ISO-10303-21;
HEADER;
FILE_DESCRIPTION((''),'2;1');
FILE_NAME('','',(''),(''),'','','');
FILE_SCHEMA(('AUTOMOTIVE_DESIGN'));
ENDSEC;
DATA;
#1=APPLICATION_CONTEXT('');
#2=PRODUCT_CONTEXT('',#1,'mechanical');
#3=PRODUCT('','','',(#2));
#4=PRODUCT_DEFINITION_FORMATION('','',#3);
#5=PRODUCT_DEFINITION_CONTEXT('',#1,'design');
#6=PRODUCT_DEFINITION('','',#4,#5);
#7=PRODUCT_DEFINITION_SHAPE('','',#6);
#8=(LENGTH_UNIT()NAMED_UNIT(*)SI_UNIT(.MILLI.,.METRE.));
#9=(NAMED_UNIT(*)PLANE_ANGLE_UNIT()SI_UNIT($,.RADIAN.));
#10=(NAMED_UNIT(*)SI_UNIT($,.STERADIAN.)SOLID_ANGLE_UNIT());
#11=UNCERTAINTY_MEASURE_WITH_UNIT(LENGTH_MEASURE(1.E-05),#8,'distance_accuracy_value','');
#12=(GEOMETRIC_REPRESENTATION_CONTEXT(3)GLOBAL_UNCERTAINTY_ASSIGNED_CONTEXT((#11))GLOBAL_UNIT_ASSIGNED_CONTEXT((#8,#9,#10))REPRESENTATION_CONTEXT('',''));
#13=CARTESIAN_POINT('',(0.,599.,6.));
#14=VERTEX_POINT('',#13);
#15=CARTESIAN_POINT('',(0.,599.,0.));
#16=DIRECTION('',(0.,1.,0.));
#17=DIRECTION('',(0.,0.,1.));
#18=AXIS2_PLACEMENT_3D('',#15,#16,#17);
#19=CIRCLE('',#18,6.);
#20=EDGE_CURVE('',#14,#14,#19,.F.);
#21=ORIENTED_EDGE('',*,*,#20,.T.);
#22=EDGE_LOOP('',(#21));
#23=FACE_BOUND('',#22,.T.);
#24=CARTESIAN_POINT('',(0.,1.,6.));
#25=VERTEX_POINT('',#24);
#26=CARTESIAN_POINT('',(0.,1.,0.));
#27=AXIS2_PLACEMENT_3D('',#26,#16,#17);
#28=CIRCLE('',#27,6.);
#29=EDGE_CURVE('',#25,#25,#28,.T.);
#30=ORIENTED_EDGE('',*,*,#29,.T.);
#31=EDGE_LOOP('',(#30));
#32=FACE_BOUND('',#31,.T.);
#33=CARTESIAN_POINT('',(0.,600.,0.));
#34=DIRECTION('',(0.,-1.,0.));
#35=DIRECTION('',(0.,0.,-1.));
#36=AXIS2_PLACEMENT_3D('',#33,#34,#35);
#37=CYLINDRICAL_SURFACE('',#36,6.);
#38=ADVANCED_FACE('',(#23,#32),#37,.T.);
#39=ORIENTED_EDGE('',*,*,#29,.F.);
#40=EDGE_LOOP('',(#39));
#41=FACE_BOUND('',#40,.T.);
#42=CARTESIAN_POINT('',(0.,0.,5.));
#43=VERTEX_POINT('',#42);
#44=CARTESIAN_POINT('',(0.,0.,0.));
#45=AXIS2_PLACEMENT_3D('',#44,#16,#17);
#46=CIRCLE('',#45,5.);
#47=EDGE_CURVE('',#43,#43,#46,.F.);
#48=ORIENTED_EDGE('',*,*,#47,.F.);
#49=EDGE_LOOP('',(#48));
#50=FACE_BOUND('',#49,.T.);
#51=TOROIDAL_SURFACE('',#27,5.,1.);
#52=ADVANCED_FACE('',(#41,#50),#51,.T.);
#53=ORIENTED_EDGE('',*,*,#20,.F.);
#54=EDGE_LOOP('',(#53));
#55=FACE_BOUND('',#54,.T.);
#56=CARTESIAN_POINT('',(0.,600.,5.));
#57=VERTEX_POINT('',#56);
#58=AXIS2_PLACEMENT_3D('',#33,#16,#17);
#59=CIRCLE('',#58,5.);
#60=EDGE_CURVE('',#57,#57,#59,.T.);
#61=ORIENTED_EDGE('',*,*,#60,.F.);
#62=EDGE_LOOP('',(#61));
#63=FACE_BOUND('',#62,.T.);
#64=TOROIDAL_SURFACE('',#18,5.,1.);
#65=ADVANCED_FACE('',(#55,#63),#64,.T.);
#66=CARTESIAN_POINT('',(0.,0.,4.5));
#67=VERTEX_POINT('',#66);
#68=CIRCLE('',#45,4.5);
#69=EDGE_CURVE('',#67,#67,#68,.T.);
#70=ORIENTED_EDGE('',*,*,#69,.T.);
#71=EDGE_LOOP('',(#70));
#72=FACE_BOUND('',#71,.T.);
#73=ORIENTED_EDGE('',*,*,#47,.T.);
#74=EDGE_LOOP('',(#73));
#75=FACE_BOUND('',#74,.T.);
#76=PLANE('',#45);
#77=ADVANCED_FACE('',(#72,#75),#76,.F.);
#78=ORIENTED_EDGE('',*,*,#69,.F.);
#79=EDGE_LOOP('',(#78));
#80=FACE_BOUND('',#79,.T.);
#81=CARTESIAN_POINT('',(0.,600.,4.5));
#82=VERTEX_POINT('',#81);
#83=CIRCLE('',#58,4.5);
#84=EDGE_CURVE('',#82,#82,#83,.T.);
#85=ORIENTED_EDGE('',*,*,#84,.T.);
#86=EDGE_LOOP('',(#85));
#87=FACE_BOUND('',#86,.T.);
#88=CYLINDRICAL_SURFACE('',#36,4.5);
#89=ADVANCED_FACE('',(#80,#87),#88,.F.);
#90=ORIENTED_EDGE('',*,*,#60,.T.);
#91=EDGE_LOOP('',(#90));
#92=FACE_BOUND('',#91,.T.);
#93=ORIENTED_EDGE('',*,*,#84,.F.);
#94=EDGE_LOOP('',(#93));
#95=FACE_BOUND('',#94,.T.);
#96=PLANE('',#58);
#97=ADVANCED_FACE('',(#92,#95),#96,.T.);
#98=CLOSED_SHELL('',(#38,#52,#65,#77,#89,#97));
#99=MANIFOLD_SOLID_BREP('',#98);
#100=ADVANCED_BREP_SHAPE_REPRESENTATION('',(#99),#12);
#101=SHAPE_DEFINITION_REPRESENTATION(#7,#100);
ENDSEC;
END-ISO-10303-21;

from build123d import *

# Parameters (mm, degrees)
SKETCH1_R           = 6
SKETCH1_R_2         = 4.5
BOSS_EXTRUDE1_DEPTH = 600
FILLET3_R           = 1
FILLET4_R           = 1


with BuildPart() as part:
    # Sketch1 → Boss-Extrude1 (new body)
    with BuildSketch(Plane(origin=(0, 0, 0), x_dir=(1, 0, 0), z_dir=(0, 1, 0))):
        Circle(SKETCH1_R)
        Circle(SKETCH1_R_2, mode=Mode.SUBTRACT)
    extrude(amount=BOSS_EXTRUDE1_DEPTH)

    # Fillet3
    fillet3_edges = [part.edges().sort_by_distance(p)[0] for p in [
        (-6, 0, 0),
    ]]
    fillet(fillet3_edges, radius=FILLET3_R)

    # Fillet4
    fillet4_edges = [part.edges().sort_by_distance(p)[0] for p in [
        (-6, 600, 0),
    ]]
    fillet(fillet4_edges, radius=FILLET4_R)


solid = part.part
